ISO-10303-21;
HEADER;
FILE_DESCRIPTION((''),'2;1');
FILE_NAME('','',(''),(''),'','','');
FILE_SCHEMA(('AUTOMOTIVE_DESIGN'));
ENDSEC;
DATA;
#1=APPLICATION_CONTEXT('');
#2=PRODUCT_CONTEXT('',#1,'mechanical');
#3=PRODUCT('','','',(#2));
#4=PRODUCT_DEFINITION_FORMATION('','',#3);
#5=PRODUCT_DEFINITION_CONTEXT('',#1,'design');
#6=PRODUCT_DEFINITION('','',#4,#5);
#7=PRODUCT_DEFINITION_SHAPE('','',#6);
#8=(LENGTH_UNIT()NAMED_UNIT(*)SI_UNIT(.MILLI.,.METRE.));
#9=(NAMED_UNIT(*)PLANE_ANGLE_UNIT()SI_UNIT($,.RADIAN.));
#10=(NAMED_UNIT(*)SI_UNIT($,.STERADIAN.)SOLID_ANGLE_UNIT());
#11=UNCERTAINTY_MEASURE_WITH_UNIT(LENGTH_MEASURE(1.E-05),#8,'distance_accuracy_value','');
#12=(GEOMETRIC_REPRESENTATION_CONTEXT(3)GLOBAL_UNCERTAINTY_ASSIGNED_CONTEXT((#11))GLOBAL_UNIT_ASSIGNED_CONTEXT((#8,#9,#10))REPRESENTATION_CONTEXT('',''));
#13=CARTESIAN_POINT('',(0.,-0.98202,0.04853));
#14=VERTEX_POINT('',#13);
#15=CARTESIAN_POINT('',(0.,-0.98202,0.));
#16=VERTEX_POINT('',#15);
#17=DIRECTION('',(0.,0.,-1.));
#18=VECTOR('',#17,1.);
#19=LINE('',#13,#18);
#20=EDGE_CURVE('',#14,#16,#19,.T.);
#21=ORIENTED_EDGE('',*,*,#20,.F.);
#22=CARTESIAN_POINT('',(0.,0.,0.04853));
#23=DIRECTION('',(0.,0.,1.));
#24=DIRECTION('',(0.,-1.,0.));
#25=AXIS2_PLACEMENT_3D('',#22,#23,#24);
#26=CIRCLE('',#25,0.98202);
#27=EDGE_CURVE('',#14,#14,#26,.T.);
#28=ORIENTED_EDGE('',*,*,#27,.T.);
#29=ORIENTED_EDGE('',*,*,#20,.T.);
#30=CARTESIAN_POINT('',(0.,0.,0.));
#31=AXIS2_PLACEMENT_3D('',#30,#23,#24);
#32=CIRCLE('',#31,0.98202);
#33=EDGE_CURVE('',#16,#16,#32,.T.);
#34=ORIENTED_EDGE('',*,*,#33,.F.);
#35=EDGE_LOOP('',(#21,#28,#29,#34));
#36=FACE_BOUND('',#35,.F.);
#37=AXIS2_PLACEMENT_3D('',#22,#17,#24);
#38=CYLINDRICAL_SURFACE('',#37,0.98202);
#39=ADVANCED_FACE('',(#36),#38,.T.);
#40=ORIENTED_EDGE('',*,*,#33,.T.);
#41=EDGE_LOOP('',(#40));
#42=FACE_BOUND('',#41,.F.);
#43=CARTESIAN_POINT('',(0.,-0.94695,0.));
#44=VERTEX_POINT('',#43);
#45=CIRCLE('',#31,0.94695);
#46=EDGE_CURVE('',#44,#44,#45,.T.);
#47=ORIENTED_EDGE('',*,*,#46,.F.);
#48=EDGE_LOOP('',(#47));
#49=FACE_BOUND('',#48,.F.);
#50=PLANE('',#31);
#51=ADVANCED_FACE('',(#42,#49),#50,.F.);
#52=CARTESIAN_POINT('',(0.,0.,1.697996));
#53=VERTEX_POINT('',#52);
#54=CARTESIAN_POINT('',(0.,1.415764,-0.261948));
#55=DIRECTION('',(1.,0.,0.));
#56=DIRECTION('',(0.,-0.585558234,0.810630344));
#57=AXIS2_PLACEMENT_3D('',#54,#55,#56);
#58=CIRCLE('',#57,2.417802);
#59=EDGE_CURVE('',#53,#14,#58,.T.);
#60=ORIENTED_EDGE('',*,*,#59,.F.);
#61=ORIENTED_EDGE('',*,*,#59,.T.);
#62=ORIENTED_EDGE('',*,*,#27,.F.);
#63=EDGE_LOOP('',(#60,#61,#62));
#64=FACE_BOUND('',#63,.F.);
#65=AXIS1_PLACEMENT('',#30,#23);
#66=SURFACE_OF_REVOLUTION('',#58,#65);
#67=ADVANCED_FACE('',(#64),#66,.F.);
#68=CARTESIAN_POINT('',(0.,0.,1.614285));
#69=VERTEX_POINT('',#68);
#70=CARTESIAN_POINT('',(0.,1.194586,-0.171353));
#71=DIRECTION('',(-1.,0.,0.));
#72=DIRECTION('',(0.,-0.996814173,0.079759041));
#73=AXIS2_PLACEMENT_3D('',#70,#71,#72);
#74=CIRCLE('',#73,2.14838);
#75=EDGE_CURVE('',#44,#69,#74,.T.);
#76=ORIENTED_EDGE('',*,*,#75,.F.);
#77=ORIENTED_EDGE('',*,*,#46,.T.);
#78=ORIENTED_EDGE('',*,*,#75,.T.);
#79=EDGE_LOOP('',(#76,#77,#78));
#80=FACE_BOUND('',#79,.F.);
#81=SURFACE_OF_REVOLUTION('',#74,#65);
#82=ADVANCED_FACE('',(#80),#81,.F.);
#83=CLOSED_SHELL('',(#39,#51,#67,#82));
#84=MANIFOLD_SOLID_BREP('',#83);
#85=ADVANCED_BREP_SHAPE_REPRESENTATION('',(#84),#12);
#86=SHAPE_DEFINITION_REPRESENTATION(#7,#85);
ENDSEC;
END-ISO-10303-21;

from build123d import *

# Parameters (mm, degrees)
F3_SCALE = 0.2365940186


with BuildPart() as f2:
    # F1 (on Right) → F2 (revolve)
    with BuildSketch(Plane.YZ):
        with BuildLine():
            Line((0, 6.8230149336), (0, 7.1768327616))
            ThreePointArc((0, 7.1768327616), (-2.7968918019, 4.1205632107), (-4.1506560519, 0.2051181946))
            Line((-4.1506560519, 0.2051181946), (-4.1506560519, 0))
            Line((-4.1506560519, 0), (-4.0024244227, 0))
            ThreePointArc((-4.0024244227, 0), (-2.7832236648, 3.8702404127), (0, 6.8230149336))
        make_face()
    revolve(axis=Axis((0, 0, 0), (0, 0, 1)))


with BuildPart() as f2_1:
    # F3: moved
    add(f2.part.scale(F3_SCALE))


solid = f2_1.part
